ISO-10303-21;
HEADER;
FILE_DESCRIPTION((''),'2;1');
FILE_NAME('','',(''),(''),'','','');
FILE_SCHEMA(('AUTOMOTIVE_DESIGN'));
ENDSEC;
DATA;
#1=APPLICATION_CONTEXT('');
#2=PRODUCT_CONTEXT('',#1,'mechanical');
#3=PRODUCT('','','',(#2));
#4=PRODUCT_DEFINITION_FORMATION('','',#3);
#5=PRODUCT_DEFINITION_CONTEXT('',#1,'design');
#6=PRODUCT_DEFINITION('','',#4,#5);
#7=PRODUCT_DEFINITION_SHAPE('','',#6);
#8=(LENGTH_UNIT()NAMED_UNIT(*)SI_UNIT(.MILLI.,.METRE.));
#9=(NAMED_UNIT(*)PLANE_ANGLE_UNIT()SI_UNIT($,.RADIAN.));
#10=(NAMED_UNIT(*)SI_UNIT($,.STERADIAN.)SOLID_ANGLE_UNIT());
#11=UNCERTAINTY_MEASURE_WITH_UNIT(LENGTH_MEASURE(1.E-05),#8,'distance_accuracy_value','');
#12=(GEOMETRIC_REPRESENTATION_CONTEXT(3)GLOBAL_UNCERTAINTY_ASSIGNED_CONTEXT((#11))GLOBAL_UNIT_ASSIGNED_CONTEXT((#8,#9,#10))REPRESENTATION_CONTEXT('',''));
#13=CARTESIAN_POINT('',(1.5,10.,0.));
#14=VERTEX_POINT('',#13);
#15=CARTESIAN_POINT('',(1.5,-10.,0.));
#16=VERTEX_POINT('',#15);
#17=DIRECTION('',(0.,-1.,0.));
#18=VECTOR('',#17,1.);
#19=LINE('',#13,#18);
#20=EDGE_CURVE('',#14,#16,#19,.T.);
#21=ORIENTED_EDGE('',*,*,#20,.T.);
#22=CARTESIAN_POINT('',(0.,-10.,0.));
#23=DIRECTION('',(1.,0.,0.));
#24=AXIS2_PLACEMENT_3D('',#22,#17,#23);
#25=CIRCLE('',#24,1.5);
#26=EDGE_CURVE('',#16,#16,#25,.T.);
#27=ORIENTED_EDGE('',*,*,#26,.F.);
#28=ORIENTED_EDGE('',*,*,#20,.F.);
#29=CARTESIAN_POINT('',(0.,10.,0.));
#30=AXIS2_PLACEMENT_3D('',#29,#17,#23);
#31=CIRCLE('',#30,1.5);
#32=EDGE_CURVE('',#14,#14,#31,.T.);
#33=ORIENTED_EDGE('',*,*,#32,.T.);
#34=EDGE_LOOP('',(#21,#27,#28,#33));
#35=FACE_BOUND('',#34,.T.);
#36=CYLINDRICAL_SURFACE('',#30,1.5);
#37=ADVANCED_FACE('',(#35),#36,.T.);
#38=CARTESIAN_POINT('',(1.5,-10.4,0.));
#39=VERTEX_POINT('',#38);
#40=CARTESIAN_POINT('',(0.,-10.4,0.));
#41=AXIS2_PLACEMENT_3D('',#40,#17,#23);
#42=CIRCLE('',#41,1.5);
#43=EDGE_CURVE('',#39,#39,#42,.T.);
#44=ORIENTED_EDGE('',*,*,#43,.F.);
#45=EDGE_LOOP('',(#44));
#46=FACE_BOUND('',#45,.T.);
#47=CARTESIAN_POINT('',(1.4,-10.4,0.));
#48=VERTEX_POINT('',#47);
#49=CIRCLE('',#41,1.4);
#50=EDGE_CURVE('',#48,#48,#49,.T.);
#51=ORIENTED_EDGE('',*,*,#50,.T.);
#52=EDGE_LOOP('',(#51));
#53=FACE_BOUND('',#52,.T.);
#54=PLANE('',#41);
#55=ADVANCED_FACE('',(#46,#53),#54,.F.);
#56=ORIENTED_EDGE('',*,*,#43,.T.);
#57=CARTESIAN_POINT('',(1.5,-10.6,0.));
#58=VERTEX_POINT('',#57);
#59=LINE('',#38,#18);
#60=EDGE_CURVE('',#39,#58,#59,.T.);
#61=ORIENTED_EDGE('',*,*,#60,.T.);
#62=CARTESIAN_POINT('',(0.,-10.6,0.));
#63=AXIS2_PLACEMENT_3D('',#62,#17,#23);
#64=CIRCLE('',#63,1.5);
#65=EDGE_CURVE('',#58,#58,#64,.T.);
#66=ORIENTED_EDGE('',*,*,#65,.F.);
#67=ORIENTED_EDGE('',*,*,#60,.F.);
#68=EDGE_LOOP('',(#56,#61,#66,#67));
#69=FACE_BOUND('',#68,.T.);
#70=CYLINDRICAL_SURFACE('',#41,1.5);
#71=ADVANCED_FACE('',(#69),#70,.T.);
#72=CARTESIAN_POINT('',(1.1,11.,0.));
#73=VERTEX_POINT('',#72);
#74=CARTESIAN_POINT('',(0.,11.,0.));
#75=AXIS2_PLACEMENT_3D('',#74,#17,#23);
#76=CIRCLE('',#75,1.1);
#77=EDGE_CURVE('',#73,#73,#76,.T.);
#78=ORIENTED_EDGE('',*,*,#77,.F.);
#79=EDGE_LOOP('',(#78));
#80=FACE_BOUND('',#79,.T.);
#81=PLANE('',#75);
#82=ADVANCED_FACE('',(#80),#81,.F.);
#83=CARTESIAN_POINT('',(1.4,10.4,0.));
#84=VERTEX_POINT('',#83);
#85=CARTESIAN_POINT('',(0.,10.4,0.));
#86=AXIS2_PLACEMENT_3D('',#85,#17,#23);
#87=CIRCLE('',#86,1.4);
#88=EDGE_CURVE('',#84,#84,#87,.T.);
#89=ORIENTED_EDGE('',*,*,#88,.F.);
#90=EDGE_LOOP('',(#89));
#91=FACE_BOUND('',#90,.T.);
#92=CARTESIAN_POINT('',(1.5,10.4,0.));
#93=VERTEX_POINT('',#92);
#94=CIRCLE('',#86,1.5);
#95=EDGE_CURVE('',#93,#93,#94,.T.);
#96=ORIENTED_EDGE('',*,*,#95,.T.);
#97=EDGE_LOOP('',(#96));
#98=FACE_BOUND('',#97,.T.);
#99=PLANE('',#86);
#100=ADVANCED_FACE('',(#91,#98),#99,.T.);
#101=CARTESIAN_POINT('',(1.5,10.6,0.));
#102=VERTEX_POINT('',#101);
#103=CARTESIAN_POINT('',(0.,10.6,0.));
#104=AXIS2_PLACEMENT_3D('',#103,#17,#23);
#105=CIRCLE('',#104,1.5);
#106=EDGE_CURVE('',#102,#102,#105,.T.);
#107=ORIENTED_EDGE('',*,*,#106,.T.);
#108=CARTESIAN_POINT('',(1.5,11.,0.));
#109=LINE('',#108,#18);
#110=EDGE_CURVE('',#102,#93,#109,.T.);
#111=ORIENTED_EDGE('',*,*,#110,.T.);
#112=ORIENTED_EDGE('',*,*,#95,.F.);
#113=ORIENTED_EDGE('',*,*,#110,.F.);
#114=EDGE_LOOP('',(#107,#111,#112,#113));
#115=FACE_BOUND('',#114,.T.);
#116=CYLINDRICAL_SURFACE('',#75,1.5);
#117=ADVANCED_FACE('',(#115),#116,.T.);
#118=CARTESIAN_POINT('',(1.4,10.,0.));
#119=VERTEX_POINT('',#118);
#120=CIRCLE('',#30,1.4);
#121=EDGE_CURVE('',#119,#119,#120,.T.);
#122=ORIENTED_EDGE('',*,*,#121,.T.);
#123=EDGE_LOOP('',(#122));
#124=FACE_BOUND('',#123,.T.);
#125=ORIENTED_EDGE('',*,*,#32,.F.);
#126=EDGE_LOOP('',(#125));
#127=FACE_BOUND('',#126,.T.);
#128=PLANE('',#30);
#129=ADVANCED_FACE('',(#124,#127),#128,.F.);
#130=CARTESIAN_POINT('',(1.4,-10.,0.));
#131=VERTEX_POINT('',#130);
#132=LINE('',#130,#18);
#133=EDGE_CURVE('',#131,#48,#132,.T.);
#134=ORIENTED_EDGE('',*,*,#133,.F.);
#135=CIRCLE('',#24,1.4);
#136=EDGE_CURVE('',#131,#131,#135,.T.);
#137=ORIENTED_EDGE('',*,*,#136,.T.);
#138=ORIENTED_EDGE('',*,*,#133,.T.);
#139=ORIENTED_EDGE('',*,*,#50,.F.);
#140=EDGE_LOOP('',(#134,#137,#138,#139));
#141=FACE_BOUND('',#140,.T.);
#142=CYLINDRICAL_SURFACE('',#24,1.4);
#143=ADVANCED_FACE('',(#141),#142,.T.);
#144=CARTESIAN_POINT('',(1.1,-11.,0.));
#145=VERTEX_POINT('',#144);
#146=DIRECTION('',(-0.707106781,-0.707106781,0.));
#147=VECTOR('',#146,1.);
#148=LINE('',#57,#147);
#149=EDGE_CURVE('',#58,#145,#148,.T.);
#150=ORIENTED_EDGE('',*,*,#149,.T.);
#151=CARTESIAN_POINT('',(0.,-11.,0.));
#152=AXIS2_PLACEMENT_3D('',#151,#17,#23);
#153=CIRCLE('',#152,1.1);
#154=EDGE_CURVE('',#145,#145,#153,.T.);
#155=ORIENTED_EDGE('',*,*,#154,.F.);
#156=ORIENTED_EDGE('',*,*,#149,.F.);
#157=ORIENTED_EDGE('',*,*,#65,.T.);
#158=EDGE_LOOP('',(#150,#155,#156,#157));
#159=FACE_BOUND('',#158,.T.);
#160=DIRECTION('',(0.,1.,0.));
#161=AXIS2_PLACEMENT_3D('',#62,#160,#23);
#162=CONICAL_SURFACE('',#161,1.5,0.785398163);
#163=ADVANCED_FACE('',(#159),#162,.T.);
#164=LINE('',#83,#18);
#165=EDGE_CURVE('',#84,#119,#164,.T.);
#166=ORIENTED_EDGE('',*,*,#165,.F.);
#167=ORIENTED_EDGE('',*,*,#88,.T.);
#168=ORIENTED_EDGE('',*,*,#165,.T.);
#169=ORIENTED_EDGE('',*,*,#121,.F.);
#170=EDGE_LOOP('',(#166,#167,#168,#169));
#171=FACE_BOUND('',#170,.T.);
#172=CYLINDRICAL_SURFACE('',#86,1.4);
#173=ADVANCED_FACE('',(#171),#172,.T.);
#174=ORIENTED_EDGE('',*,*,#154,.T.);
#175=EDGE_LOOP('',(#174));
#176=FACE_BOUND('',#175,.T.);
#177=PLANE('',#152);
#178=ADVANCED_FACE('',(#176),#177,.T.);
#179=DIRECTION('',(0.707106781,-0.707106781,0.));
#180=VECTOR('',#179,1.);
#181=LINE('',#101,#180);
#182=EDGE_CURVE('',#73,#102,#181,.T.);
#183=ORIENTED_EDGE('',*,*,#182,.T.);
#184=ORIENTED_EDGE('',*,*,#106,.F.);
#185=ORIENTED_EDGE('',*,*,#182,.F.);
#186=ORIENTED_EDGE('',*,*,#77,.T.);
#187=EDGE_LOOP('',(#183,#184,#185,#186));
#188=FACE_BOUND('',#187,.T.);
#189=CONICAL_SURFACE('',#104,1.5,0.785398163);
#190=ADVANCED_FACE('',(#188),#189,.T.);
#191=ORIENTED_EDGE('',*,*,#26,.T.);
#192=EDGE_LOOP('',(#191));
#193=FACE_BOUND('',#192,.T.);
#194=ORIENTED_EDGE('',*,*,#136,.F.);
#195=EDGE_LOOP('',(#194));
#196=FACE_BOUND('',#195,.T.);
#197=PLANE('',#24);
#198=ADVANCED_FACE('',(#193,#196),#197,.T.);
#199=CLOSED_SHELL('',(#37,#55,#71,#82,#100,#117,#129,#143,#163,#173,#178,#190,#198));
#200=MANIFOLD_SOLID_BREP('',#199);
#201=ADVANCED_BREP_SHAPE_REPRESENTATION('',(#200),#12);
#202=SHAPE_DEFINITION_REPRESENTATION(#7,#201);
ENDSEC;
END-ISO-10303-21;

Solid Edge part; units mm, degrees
sketch "Sketch1" plane through (0, 0, 0) normal (0, 0, 1) x (1, 0, 0)
  line L0 (0, 11) -> (1.5, 11)
  line L1 (1.5, 11) -> (1.5, 10.4)
  line L2 (1.5, 10.4) -> (1.4, 10.4)
  line L3 (1.4, 10.4) -> (1.4, 10)
  line L4 (1.4, 10) -> (1.5, 10)
  line L5 (1.5, 10) -> (1.5, -10)
  line L6 (1.5, -10) -> (1.4, -10)
  line L7 (1.4, -10) -> (1.4, -10.4)
  line L8 (1.4, -10.4) -> (1.5, -10.4)
  line L9 (1.5, -10.4) -> (1.5, -11)
  line L10 (1.5, -11) -> (0, -11)
  line L11 (0, -11) -> (0, 11)
  dimension "D1" = 1.5
  dimension "D2" = 20
  dimension "D3" = 0.4
  dimension "D4" = 1.5
  dimension "D5" = 1.4
  dimension "D6" = 11
  dimension "D7" = 1.4
revolve "RevolvedProtrusion1" add sketch "Sketch1" angle 360 about axis through (0, 54, 0) along (0, -1, 0)
chamfer "Chanfrein_1" distance 0.4 angle 45 2 edges at (1.5, -11, 0) (1.5, 11, 0)
properties material "Acier S235"
